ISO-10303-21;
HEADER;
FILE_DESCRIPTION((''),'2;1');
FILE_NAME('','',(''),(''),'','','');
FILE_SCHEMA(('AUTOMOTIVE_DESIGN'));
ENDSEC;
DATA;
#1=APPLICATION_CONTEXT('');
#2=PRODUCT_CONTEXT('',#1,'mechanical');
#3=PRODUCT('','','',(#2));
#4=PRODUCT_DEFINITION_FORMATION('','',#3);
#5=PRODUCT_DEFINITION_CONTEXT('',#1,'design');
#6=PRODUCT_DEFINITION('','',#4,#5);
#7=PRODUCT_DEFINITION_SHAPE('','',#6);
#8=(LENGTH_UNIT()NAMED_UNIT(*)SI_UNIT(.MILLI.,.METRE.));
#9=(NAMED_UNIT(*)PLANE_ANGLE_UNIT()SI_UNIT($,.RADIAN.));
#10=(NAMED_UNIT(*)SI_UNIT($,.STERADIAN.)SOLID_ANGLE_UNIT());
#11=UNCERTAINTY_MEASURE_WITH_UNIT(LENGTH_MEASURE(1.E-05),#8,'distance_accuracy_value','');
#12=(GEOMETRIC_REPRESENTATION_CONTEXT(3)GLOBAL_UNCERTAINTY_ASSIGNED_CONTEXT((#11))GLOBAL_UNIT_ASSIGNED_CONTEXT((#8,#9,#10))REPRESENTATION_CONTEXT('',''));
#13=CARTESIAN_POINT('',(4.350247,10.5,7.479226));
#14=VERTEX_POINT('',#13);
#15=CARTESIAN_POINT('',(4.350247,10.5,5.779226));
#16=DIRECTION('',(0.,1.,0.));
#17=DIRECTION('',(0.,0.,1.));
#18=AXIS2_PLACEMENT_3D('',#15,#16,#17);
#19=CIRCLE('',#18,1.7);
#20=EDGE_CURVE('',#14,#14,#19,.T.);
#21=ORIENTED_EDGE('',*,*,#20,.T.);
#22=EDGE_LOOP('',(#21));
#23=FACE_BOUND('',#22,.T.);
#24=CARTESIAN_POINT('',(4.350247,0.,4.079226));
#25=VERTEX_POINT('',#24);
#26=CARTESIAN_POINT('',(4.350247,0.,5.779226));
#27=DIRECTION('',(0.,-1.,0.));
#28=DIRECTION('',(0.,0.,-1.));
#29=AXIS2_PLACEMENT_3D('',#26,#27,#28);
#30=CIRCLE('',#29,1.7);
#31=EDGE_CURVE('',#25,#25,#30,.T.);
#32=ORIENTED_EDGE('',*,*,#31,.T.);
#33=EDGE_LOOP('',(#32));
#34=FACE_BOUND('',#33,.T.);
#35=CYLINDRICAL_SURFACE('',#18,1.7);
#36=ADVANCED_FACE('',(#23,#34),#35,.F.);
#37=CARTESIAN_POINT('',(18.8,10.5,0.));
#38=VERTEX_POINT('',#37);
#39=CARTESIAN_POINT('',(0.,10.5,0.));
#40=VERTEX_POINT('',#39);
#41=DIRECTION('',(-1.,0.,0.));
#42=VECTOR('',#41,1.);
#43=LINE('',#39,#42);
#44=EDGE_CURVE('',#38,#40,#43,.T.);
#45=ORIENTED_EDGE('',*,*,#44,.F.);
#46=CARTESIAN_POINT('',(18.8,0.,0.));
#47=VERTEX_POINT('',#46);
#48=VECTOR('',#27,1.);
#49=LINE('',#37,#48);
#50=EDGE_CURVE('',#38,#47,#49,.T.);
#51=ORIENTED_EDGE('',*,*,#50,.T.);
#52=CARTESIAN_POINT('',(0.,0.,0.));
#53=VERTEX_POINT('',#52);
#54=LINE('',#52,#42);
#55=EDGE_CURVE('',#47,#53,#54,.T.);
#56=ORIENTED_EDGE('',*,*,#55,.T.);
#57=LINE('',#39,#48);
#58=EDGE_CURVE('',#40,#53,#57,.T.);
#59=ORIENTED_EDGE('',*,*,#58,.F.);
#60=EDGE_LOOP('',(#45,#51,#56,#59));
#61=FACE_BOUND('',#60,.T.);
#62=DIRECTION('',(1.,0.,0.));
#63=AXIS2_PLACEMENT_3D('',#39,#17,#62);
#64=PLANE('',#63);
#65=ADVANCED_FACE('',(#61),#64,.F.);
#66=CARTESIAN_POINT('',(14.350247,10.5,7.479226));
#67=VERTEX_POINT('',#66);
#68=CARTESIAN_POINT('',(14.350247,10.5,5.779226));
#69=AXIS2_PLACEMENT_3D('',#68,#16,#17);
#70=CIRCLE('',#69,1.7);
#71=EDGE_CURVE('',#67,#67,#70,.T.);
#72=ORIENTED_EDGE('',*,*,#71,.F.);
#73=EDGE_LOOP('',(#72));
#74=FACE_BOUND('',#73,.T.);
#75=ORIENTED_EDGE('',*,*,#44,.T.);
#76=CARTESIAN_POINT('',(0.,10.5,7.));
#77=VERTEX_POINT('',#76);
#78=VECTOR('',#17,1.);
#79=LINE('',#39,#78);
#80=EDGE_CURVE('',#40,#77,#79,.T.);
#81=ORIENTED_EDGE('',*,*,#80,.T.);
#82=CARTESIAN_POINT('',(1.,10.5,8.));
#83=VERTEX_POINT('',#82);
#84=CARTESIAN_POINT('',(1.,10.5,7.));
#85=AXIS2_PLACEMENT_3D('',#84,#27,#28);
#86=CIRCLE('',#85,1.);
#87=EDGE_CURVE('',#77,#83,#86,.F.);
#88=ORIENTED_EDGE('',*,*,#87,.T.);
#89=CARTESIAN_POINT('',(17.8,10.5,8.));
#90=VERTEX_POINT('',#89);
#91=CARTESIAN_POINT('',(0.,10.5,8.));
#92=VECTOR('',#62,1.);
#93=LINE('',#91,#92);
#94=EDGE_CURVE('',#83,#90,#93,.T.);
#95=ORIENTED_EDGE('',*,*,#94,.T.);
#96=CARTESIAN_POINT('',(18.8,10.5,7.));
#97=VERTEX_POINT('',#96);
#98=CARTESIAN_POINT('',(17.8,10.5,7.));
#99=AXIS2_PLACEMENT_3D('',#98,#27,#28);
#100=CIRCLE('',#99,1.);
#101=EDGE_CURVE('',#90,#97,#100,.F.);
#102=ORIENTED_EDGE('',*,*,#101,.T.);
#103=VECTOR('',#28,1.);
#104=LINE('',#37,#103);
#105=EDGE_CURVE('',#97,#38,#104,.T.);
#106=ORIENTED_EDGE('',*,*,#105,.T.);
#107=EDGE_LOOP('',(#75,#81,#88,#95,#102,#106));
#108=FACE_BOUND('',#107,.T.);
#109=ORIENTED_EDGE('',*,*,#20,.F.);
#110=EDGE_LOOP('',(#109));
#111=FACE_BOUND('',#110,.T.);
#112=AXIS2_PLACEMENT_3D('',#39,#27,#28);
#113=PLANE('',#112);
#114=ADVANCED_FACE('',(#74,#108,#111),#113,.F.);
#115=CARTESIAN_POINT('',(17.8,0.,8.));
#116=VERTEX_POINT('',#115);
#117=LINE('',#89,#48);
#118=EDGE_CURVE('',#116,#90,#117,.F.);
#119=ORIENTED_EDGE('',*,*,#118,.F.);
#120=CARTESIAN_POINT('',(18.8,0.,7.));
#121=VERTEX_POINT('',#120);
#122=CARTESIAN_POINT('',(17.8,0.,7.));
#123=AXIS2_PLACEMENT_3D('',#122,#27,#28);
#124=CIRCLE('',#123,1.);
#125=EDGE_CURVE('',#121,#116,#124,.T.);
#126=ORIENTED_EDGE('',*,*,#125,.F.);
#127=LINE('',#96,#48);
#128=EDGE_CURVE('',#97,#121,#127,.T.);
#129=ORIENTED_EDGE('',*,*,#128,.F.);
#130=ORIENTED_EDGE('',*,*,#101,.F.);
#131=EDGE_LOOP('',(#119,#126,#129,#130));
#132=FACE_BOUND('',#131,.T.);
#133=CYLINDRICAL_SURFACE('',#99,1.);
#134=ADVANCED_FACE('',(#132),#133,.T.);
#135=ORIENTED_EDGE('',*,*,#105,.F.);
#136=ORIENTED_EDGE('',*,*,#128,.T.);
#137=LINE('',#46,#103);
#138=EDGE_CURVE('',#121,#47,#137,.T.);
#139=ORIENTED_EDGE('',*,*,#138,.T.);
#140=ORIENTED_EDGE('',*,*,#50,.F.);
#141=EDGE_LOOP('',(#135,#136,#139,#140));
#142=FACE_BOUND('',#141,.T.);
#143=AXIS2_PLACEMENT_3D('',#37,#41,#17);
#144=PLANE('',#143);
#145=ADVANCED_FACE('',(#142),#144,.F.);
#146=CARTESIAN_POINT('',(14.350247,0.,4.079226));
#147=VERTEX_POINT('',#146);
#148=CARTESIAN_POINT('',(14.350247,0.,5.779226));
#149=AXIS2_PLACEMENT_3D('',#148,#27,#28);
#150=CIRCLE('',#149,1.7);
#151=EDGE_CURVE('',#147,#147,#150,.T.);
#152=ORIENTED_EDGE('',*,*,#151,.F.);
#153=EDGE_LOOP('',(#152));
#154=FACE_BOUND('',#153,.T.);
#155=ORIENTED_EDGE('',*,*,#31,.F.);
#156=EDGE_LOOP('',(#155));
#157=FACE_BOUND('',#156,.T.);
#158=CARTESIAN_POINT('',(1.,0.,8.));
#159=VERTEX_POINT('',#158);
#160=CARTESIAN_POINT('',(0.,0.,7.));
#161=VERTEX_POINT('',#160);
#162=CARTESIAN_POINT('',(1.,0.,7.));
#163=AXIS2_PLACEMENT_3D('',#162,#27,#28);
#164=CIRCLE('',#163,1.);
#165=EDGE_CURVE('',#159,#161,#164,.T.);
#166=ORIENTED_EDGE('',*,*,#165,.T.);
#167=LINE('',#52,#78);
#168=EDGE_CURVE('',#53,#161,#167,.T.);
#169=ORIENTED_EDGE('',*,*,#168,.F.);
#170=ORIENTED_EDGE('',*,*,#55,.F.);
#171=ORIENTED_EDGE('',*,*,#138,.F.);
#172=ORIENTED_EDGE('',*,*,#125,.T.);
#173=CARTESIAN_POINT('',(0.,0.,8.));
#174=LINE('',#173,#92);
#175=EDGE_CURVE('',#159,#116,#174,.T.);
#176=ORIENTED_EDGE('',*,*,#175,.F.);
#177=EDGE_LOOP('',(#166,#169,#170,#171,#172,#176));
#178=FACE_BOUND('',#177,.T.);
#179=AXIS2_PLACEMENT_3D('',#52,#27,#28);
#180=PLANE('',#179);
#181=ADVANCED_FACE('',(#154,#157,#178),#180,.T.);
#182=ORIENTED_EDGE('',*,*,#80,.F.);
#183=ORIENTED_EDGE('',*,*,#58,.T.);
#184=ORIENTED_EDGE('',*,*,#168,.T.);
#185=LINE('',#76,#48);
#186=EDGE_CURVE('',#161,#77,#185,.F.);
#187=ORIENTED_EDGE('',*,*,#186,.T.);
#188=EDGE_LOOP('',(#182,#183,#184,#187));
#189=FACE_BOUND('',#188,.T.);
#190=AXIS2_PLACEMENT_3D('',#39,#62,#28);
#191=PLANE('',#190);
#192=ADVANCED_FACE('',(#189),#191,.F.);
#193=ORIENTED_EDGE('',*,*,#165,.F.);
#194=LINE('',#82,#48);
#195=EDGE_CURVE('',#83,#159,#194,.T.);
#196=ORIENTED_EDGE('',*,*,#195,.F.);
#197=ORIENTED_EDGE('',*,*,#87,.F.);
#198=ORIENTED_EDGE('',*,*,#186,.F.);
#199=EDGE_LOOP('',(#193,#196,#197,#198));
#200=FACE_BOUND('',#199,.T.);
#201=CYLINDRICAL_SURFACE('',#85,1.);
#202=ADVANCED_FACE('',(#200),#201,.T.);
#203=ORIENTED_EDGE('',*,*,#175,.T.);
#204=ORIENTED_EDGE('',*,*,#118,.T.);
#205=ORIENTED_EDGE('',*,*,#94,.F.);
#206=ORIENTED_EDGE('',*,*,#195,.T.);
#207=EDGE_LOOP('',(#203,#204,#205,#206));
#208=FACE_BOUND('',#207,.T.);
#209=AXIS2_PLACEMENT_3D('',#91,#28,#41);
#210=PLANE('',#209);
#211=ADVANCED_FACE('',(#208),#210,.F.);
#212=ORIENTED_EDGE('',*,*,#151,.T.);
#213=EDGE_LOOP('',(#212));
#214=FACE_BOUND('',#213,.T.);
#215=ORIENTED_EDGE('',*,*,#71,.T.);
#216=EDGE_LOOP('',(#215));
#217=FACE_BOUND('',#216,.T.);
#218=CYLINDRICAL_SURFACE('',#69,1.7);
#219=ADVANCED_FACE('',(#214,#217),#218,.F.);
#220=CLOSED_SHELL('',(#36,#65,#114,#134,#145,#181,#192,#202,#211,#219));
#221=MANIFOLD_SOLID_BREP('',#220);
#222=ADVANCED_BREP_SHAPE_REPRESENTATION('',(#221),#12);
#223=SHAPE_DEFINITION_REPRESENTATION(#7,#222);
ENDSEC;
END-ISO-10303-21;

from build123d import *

# Parameters (mm, degrees)
SKETCH_1_W        = 18.8
SKETCH_1_H        = 8
EXTRUDE_1_DEPTH   = 10.5
FILLET_1_R        = 1
HOLE_WIZARD_M31_D = 3.4


with BuildPart() as part:
    # Эскиз1 → Бобышка-Вытянуть1 (new body)
    with BuildSketch(Plane(origin=(0, 0, 0), x_dir=(1, 0, 0), z_dir=(0, 1, 0))):
        with Locations((9.4, -4)):
            Rectangle(SKETCH_1_W, SKETCH_1_H)
    extrude(amount=EXTRUDE_1_DEPTH)

    # Скругление1
    fillet_1_edges = [part.edges().sort_by_distance(p)[0] for p in [
        (18.8, 5.25, 8),
        (0, 5.25, 8),
    ]]
    fillet(fillet_1_edges, radius=FILLET_1_R)

    # Отверстие с зазором M31 (through all)
    with Locations(Plane(origin=(0, 10.5, 0), x_dir=(1, 0, 0), z_dir=(0, 1, 0))):
        with Locations((4.350247301, -5.779226371), (14.350247301, -5.779226371)):
            Hole(HOLE_WIZARD_M31_D / 2)


solid = part.part
